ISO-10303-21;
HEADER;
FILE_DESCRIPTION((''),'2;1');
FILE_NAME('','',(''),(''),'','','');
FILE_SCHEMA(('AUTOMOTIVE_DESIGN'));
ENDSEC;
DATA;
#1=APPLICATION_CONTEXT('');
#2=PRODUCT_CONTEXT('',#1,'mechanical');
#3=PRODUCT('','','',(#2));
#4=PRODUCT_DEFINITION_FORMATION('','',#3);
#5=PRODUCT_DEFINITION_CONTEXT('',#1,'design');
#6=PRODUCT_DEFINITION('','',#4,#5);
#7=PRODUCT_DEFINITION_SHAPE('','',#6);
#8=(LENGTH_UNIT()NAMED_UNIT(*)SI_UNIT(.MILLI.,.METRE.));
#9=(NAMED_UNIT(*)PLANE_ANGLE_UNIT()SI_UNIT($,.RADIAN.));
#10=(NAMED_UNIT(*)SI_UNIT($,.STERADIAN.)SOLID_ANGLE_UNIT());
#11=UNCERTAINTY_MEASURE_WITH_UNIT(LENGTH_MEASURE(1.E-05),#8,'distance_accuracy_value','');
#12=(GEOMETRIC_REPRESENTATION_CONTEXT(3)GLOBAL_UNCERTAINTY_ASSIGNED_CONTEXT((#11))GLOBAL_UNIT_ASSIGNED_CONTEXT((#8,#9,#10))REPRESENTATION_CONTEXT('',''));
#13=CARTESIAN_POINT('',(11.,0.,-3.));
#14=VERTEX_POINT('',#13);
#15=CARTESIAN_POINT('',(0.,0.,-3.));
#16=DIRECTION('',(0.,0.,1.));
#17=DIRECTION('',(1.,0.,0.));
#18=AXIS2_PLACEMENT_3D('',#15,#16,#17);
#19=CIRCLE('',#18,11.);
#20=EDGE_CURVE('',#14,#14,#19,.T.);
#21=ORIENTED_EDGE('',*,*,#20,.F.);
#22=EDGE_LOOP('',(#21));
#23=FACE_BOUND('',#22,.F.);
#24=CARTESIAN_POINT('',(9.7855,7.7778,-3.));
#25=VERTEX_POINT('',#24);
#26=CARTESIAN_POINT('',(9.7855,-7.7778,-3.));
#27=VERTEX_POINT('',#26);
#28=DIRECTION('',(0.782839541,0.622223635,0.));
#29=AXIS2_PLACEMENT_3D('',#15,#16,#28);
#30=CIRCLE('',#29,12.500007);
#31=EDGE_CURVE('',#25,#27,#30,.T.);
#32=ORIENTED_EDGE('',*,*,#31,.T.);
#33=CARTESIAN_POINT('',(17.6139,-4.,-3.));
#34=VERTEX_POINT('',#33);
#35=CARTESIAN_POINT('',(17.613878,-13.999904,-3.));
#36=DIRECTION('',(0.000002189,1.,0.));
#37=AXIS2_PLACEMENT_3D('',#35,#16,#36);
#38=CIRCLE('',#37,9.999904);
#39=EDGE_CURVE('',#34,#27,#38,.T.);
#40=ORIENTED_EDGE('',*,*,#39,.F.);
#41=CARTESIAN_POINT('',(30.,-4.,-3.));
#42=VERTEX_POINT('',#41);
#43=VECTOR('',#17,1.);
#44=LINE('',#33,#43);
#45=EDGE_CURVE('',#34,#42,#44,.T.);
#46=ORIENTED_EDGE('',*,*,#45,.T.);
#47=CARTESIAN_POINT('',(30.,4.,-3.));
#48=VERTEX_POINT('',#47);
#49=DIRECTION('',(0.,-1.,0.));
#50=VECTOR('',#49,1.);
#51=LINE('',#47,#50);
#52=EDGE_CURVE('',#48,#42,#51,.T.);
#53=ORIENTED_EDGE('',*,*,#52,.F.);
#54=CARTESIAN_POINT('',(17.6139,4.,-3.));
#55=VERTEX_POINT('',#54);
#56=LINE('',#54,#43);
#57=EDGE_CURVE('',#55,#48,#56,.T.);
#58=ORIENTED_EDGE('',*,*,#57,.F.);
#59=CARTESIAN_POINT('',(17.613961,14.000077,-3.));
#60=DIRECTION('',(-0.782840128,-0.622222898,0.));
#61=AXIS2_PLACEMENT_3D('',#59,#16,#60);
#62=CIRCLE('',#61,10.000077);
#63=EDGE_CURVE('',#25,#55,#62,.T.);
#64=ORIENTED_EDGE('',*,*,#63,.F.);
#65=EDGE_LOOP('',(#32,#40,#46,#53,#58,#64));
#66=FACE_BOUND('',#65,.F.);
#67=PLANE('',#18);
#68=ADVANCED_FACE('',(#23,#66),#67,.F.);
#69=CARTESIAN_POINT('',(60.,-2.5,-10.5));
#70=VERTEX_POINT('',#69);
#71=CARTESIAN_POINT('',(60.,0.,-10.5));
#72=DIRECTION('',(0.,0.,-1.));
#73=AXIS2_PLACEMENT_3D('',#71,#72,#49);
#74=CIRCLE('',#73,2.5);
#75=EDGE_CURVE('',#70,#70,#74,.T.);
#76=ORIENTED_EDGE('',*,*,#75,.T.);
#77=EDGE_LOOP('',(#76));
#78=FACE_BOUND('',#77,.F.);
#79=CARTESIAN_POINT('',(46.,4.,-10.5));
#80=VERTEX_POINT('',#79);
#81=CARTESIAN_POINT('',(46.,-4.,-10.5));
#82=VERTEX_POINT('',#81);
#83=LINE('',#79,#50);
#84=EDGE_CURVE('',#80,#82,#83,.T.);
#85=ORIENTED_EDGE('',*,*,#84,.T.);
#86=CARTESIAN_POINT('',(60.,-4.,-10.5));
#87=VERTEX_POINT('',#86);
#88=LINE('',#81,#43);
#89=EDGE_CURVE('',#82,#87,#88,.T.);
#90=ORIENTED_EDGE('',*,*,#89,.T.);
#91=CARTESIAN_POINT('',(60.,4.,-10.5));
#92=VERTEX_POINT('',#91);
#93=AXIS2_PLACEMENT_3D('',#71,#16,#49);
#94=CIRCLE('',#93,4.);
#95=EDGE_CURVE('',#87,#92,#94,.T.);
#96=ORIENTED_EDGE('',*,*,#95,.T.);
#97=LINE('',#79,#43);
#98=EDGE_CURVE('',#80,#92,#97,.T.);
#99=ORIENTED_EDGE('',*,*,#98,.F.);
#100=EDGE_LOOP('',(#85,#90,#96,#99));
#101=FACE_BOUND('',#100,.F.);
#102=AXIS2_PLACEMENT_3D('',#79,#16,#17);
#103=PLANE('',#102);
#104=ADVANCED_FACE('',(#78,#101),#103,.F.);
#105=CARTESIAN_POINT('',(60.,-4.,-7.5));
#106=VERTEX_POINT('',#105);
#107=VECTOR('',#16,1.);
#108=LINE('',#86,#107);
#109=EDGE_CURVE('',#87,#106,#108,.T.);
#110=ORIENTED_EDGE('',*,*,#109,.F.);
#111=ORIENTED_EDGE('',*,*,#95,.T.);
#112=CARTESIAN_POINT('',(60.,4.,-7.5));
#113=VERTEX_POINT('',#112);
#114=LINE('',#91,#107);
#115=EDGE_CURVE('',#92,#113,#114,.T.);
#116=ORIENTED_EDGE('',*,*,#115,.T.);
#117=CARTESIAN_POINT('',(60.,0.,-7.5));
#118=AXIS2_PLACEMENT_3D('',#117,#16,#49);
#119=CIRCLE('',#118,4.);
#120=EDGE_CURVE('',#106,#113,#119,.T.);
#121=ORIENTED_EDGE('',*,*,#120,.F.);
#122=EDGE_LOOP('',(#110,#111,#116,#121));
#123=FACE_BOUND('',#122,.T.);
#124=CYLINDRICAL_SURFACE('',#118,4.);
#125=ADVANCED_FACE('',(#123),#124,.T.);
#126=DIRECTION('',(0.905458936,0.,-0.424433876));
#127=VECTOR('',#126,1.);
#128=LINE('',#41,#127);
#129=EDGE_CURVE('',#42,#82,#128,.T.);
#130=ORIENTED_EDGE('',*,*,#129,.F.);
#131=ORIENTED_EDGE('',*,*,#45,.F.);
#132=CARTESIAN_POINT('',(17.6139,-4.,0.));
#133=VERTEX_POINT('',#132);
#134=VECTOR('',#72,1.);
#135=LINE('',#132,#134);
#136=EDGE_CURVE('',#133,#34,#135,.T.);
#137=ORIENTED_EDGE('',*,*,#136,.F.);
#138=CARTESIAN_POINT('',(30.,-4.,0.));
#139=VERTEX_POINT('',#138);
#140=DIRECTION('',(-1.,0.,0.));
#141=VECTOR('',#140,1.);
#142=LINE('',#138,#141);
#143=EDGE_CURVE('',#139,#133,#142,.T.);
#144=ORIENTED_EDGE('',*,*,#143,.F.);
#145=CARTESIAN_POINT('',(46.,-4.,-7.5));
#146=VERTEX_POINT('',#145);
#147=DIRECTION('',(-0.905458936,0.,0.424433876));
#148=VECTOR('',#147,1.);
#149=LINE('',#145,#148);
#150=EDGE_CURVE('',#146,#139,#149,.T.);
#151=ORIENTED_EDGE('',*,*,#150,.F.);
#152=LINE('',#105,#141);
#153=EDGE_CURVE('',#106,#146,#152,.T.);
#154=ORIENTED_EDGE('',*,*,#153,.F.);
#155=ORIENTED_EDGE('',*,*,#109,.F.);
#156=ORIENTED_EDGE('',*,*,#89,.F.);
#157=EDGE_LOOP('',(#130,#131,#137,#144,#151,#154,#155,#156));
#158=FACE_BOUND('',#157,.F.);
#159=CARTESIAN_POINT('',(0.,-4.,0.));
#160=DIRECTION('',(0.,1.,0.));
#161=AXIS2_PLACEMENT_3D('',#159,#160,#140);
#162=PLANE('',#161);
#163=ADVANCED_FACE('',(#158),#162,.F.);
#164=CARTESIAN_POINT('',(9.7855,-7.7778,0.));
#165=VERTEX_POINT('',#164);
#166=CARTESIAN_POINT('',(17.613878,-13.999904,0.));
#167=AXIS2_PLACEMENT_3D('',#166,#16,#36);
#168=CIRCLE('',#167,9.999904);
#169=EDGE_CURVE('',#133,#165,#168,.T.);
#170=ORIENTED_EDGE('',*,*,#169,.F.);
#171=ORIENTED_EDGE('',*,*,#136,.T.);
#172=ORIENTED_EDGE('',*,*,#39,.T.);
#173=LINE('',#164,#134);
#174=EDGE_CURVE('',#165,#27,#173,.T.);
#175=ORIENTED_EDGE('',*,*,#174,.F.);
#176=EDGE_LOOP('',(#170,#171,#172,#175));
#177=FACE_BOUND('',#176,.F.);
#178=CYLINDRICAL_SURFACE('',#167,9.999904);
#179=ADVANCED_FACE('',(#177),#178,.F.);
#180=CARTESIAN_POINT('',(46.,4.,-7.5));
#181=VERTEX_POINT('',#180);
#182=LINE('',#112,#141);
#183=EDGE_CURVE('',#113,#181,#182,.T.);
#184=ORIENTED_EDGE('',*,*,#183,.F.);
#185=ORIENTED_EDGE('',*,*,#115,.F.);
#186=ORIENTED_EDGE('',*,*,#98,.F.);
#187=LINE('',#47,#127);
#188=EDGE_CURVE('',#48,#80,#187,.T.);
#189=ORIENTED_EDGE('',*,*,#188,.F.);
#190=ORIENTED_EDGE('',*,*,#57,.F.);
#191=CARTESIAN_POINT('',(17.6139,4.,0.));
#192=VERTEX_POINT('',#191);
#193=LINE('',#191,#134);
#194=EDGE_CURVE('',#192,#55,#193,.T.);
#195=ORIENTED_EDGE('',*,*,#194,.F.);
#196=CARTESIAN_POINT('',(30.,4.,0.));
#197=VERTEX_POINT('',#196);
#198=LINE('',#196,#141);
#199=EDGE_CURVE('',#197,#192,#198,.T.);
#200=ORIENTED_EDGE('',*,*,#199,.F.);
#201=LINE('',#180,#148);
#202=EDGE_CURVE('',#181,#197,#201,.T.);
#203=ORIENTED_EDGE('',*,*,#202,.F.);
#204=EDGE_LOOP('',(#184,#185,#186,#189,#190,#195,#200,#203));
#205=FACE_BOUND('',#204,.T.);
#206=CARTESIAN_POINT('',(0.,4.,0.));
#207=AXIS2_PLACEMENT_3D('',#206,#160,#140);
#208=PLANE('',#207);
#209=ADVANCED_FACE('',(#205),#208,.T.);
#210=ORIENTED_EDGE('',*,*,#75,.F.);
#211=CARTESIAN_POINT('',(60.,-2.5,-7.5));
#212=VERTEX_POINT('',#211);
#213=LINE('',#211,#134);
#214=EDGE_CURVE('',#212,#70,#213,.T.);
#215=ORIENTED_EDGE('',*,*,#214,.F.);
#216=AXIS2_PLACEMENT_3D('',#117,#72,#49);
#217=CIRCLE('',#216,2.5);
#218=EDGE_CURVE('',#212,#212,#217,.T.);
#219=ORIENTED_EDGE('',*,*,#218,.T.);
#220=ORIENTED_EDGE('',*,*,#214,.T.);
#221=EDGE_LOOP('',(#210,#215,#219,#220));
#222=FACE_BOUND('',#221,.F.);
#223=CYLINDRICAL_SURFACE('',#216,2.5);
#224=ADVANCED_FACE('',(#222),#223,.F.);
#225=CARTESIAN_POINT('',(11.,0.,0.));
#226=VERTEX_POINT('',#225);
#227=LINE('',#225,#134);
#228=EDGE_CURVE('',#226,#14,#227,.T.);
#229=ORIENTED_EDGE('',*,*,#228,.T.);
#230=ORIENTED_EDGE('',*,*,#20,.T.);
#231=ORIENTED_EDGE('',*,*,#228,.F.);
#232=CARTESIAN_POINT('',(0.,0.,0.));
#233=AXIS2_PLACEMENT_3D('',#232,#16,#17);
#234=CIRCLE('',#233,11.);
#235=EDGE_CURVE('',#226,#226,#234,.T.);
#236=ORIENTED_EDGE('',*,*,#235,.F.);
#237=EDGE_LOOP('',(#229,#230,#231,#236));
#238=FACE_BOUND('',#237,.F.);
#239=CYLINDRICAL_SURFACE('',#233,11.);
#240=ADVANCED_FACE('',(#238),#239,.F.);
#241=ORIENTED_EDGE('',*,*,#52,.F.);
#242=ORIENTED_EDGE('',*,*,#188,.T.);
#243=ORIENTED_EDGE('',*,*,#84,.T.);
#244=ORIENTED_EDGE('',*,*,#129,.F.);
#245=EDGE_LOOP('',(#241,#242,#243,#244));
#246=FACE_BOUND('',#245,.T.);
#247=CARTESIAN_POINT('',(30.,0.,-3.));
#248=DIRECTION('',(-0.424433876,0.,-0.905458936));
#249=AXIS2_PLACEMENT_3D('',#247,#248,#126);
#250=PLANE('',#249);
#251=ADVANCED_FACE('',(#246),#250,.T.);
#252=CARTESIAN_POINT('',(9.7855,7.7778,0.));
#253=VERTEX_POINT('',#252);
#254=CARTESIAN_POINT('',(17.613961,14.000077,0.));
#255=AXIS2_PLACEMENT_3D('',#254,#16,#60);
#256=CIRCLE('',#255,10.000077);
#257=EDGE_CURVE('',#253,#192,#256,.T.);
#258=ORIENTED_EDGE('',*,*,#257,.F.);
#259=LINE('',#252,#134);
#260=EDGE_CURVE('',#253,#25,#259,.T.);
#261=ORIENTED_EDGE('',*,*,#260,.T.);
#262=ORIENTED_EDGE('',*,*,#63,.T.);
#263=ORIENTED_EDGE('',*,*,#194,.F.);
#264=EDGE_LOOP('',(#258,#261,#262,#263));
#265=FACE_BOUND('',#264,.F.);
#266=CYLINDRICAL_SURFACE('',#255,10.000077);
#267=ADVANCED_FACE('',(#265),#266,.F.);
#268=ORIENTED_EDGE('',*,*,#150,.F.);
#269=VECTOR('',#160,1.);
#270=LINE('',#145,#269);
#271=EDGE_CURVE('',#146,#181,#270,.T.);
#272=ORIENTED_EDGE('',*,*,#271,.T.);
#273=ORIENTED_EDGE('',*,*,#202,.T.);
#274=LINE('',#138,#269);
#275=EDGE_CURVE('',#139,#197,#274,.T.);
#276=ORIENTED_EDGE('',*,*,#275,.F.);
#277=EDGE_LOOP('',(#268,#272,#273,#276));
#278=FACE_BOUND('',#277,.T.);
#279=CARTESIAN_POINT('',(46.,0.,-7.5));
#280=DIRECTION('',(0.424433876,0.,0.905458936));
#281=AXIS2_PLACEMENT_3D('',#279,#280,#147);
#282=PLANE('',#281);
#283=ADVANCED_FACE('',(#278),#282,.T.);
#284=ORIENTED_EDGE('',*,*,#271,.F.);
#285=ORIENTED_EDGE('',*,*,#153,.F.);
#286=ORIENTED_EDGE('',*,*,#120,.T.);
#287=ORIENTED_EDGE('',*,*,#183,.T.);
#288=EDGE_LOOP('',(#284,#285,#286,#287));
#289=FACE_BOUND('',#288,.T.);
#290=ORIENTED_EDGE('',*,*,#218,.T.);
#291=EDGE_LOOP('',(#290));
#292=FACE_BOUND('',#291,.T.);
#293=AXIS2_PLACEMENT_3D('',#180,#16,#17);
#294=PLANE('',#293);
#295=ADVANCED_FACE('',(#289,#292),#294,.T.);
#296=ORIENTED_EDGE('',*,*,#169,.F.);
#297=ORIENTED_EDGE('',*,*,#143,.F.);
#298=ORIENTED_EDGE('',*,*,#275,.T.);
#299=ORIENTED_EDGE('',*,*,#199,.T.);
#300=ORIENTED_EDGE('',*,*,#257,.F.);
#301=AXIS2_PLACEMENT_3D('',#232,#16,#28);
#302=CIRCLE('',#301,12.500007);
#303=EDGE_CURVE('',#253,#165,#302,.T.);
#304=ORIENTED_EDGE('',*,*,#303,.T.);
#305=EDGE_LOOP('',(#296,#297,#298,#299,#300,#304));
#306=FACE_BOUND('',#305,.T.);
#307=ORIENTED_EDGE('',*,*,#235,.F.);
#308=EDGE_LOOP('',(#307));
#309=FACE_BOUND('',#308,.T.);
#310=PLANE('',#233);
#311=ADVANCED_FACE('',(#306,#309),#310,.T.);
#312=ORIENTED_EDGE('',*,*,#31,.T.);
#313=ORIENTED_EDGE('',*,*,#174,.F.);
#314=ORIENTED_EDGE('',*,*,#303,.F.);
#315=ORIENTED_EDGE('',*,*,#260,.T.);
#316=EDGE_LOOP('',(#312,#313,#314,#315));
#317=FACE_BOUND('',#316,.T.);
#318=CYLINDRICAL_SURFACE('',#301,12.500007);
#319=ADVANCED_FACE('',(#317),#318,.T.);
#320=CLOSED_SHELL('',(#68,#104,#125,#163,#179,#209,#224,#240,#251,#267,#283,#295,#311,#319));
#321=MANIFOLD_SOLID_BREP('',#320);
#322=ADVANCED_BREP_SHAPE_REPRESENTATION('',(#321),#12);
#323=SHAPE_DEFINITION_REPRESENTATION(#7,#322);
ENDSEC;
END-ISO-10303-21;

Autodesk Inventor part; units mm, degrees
ref_plane "YZ Plane" through (0, 0, 0) normal (1, 0, 0) x (0, 1, 0)
ref_plane "XY Plane" through (0, 0, 0) normal (0, 0, 1) x (1, 0, 0)
sketch "Sketch1" plane through (0, 0, 0) normal (0, 0, 1) x (1, 0, 0)
  arc A0 (9.7855, 7.7778) -> (9.7855, -7.7778) centre (0, 0) ccw
  circle A1 centre (0, 0) radius 11
  arc A2 (60, -4) -> (60, 4) centre (60, 0) ccw
  line L0 (60, 4) -> (17.6139, 4) construction
  line L1 (60, -4) -> (17.6139, -4) construction
  arc A3 (17.6139, -4) -> (9.7855, -7.7778) centre (17.6139, -14) ccw
  arc A4 (9.7855, 7.7778) -> (17.6139, 4) centre (17.6139, 14) ccw
  line L2 (30, 4) -> (30, -4) construction
  line L3 (17.6139, -4) -> (17.6139, 4)
  point P0 (11.8427, 4)
  point P1 (11.8427, -4)
  point P2 (-12.5, 0)
  point P3 (30, 0)
  dimension "d0" = 25
  dimension "d1" = 22
  dimension "d2" = 4
  dimension "d3" = 10
  dimension "d4" = 60
  dimension "d17" = 42.5
extrude "Extrusion1" add sketch "Sketch1" against normal blind 3
ref_plane "Work Plane3" through (0, 0, 0) normal (0, 1, 0) x (-1, 0, 0)
sketch "Sketch7" plane through (0, 0, 0) normal (0, 1, 0) x (-1, 0, 0)
  line L0 (-17.6139, 0) -> (-17.6139, -3) projected
  line L1 (-17.6139, -3) -> (-30, -3)
  line L2 (-30, -3) -> (-46, -10.5)
  line L3 (-46, -10.5) -> (-60, -10.5)
  line L4 (-60, -10.5) -> (-60, -7.5)
  line L5 (-60, -7.5) -> (-46, -7.5)
  line L6 (-46, -7.5) -> (-30, 0)
  line L7 (-30, 0) -> (-17.6139, 0)
  line L8 (-17.6139, -3) -> (-17.6139, 0)
  point P0 (0, 0)
  point P1 (-60, -9)
  dimension "d19" = 7.5
  dimension "d20" = 14
  dimension "d21" = 60
  dimension "d22" = 3
extrude "Extrusion3" add sketch "Sketch7" along normal mid plane 8
sketch "Sketch8" plane through (46, 4, -7.5) normal (0, 0, 1) x (1, 0, 0)
  line L0 (14, -8) -> (14, 0) projected
  arc A0 (14, -8) -> (14, 0) centre (14, -4) ccw
  point P0 (-46, -4)
  dimension "d25" = 4
extrude "Extrusion4" add sketch "Sketch8" against normal up to surface (3 mm away)
sketch "Sketch9" plane through (46, -4, -7.5) normal (0, 0, 1) x (1, 0, 0)
  arc A0 (14, 0) -> (14, 8) centre (14, 4) ccw projected
  point P0 (-46, 4)
hole "Hole1" at (60, 0, -7.5) direction (0, 0, -1) diameter 5 depth 3
properties part number "15_3"
